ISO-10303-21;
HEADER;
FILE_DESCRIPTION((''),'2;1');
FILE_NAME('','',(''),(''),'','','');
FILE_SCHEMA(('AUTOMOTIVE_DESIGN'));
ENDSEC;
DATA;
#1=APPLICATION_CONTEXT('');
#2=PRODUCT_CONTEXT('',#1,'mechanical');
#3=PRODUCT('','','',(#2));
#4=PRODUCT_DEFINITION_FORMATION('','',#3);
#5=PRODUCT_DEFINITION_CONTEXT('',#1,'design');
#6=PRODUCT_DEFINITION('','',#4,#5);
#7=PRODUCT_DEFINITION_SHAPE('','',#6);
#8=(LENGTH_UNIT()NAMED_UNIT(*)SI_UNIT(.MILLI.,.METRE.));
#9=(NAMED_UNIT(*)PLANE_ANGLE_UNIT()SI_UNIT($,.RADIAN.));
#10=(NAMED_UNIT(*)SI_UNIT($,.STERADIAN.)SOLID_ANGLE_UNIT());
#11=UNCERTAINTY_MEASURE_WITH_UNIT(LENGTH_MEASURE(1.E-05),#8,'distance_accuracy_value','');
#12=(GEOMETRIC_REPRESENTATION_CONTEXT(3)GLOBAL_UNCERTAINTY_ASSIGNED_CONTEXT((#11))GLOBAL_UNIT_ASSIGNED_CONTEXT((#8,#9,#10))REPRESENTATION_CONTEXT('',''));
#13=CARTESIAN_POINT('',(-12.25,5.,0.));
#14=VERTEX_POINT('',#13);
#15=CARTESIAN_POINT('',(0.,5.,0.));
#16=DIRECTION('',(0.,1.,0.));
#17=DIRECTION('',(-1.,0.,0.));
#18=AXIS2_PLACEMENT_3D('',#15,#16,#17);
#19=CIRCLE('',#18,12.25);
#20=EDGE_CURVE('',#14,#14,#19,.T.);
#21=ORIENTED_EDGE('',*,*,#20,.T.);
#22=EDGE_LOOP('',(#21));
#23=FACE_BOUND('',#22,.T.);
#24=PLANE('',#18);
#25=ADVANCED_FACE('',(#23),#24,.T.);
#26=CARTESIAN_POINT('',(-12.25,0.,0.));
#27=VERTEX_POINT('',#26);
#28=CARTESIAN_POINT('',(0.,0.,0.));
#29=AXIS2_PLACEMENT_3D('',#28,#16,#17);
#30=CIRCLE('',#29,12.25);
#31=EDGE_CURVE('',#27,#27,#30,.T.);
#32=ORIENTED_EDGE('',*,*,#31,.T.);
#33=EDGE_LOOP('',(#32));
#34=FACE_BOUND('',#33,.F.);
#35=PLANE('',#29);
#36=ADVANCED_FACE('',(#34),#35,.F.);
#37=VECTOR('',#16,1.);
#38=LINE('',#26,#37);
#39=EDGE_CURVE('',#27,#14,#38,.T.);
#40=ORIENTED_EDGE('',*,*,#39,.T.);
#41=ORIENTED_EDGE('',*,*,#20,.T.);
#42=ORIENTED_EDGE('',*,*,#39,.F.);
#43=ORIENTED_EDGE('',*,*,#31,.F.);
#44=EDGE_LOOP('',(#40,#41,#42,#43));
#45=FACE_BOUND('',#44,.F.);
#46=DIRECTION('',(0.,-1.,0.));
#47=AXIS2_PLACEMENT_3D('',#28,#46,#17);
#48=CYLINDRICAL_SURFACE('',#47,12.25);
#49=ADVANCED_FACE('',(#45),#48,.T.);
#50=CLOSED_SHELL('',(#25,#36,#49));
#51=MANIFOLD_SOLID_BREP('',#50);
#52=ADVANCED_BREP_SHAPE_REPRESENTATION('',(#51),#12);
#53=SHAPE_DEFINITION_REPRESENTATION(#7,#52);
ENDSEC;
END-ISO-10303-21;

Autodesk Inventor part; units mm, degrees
ref_plane "YZ Plane" through (0, 0, 0) normal (1, 0, 0) x (0, 1, 0)
ref_plane "XZ Plane" through (0, 0, 0) normal (0, 1, 0) x (-1, 0, 0)
ref_plane "XY Plane" through (0, 0, 0) normal (0, 0, 1) x (1, 0, 0)
sketch "Sketch1" plane through (0, 0, 0) normal (0, 1, 0) x (-1, 0, 0)
  circle A0 centre (0, 0) radius 12.25
  dimension "d0" = 24.5
extrude "Extrusion1" add sketch "Sketch1" along normal blind 5
properties part number "CR2450"
